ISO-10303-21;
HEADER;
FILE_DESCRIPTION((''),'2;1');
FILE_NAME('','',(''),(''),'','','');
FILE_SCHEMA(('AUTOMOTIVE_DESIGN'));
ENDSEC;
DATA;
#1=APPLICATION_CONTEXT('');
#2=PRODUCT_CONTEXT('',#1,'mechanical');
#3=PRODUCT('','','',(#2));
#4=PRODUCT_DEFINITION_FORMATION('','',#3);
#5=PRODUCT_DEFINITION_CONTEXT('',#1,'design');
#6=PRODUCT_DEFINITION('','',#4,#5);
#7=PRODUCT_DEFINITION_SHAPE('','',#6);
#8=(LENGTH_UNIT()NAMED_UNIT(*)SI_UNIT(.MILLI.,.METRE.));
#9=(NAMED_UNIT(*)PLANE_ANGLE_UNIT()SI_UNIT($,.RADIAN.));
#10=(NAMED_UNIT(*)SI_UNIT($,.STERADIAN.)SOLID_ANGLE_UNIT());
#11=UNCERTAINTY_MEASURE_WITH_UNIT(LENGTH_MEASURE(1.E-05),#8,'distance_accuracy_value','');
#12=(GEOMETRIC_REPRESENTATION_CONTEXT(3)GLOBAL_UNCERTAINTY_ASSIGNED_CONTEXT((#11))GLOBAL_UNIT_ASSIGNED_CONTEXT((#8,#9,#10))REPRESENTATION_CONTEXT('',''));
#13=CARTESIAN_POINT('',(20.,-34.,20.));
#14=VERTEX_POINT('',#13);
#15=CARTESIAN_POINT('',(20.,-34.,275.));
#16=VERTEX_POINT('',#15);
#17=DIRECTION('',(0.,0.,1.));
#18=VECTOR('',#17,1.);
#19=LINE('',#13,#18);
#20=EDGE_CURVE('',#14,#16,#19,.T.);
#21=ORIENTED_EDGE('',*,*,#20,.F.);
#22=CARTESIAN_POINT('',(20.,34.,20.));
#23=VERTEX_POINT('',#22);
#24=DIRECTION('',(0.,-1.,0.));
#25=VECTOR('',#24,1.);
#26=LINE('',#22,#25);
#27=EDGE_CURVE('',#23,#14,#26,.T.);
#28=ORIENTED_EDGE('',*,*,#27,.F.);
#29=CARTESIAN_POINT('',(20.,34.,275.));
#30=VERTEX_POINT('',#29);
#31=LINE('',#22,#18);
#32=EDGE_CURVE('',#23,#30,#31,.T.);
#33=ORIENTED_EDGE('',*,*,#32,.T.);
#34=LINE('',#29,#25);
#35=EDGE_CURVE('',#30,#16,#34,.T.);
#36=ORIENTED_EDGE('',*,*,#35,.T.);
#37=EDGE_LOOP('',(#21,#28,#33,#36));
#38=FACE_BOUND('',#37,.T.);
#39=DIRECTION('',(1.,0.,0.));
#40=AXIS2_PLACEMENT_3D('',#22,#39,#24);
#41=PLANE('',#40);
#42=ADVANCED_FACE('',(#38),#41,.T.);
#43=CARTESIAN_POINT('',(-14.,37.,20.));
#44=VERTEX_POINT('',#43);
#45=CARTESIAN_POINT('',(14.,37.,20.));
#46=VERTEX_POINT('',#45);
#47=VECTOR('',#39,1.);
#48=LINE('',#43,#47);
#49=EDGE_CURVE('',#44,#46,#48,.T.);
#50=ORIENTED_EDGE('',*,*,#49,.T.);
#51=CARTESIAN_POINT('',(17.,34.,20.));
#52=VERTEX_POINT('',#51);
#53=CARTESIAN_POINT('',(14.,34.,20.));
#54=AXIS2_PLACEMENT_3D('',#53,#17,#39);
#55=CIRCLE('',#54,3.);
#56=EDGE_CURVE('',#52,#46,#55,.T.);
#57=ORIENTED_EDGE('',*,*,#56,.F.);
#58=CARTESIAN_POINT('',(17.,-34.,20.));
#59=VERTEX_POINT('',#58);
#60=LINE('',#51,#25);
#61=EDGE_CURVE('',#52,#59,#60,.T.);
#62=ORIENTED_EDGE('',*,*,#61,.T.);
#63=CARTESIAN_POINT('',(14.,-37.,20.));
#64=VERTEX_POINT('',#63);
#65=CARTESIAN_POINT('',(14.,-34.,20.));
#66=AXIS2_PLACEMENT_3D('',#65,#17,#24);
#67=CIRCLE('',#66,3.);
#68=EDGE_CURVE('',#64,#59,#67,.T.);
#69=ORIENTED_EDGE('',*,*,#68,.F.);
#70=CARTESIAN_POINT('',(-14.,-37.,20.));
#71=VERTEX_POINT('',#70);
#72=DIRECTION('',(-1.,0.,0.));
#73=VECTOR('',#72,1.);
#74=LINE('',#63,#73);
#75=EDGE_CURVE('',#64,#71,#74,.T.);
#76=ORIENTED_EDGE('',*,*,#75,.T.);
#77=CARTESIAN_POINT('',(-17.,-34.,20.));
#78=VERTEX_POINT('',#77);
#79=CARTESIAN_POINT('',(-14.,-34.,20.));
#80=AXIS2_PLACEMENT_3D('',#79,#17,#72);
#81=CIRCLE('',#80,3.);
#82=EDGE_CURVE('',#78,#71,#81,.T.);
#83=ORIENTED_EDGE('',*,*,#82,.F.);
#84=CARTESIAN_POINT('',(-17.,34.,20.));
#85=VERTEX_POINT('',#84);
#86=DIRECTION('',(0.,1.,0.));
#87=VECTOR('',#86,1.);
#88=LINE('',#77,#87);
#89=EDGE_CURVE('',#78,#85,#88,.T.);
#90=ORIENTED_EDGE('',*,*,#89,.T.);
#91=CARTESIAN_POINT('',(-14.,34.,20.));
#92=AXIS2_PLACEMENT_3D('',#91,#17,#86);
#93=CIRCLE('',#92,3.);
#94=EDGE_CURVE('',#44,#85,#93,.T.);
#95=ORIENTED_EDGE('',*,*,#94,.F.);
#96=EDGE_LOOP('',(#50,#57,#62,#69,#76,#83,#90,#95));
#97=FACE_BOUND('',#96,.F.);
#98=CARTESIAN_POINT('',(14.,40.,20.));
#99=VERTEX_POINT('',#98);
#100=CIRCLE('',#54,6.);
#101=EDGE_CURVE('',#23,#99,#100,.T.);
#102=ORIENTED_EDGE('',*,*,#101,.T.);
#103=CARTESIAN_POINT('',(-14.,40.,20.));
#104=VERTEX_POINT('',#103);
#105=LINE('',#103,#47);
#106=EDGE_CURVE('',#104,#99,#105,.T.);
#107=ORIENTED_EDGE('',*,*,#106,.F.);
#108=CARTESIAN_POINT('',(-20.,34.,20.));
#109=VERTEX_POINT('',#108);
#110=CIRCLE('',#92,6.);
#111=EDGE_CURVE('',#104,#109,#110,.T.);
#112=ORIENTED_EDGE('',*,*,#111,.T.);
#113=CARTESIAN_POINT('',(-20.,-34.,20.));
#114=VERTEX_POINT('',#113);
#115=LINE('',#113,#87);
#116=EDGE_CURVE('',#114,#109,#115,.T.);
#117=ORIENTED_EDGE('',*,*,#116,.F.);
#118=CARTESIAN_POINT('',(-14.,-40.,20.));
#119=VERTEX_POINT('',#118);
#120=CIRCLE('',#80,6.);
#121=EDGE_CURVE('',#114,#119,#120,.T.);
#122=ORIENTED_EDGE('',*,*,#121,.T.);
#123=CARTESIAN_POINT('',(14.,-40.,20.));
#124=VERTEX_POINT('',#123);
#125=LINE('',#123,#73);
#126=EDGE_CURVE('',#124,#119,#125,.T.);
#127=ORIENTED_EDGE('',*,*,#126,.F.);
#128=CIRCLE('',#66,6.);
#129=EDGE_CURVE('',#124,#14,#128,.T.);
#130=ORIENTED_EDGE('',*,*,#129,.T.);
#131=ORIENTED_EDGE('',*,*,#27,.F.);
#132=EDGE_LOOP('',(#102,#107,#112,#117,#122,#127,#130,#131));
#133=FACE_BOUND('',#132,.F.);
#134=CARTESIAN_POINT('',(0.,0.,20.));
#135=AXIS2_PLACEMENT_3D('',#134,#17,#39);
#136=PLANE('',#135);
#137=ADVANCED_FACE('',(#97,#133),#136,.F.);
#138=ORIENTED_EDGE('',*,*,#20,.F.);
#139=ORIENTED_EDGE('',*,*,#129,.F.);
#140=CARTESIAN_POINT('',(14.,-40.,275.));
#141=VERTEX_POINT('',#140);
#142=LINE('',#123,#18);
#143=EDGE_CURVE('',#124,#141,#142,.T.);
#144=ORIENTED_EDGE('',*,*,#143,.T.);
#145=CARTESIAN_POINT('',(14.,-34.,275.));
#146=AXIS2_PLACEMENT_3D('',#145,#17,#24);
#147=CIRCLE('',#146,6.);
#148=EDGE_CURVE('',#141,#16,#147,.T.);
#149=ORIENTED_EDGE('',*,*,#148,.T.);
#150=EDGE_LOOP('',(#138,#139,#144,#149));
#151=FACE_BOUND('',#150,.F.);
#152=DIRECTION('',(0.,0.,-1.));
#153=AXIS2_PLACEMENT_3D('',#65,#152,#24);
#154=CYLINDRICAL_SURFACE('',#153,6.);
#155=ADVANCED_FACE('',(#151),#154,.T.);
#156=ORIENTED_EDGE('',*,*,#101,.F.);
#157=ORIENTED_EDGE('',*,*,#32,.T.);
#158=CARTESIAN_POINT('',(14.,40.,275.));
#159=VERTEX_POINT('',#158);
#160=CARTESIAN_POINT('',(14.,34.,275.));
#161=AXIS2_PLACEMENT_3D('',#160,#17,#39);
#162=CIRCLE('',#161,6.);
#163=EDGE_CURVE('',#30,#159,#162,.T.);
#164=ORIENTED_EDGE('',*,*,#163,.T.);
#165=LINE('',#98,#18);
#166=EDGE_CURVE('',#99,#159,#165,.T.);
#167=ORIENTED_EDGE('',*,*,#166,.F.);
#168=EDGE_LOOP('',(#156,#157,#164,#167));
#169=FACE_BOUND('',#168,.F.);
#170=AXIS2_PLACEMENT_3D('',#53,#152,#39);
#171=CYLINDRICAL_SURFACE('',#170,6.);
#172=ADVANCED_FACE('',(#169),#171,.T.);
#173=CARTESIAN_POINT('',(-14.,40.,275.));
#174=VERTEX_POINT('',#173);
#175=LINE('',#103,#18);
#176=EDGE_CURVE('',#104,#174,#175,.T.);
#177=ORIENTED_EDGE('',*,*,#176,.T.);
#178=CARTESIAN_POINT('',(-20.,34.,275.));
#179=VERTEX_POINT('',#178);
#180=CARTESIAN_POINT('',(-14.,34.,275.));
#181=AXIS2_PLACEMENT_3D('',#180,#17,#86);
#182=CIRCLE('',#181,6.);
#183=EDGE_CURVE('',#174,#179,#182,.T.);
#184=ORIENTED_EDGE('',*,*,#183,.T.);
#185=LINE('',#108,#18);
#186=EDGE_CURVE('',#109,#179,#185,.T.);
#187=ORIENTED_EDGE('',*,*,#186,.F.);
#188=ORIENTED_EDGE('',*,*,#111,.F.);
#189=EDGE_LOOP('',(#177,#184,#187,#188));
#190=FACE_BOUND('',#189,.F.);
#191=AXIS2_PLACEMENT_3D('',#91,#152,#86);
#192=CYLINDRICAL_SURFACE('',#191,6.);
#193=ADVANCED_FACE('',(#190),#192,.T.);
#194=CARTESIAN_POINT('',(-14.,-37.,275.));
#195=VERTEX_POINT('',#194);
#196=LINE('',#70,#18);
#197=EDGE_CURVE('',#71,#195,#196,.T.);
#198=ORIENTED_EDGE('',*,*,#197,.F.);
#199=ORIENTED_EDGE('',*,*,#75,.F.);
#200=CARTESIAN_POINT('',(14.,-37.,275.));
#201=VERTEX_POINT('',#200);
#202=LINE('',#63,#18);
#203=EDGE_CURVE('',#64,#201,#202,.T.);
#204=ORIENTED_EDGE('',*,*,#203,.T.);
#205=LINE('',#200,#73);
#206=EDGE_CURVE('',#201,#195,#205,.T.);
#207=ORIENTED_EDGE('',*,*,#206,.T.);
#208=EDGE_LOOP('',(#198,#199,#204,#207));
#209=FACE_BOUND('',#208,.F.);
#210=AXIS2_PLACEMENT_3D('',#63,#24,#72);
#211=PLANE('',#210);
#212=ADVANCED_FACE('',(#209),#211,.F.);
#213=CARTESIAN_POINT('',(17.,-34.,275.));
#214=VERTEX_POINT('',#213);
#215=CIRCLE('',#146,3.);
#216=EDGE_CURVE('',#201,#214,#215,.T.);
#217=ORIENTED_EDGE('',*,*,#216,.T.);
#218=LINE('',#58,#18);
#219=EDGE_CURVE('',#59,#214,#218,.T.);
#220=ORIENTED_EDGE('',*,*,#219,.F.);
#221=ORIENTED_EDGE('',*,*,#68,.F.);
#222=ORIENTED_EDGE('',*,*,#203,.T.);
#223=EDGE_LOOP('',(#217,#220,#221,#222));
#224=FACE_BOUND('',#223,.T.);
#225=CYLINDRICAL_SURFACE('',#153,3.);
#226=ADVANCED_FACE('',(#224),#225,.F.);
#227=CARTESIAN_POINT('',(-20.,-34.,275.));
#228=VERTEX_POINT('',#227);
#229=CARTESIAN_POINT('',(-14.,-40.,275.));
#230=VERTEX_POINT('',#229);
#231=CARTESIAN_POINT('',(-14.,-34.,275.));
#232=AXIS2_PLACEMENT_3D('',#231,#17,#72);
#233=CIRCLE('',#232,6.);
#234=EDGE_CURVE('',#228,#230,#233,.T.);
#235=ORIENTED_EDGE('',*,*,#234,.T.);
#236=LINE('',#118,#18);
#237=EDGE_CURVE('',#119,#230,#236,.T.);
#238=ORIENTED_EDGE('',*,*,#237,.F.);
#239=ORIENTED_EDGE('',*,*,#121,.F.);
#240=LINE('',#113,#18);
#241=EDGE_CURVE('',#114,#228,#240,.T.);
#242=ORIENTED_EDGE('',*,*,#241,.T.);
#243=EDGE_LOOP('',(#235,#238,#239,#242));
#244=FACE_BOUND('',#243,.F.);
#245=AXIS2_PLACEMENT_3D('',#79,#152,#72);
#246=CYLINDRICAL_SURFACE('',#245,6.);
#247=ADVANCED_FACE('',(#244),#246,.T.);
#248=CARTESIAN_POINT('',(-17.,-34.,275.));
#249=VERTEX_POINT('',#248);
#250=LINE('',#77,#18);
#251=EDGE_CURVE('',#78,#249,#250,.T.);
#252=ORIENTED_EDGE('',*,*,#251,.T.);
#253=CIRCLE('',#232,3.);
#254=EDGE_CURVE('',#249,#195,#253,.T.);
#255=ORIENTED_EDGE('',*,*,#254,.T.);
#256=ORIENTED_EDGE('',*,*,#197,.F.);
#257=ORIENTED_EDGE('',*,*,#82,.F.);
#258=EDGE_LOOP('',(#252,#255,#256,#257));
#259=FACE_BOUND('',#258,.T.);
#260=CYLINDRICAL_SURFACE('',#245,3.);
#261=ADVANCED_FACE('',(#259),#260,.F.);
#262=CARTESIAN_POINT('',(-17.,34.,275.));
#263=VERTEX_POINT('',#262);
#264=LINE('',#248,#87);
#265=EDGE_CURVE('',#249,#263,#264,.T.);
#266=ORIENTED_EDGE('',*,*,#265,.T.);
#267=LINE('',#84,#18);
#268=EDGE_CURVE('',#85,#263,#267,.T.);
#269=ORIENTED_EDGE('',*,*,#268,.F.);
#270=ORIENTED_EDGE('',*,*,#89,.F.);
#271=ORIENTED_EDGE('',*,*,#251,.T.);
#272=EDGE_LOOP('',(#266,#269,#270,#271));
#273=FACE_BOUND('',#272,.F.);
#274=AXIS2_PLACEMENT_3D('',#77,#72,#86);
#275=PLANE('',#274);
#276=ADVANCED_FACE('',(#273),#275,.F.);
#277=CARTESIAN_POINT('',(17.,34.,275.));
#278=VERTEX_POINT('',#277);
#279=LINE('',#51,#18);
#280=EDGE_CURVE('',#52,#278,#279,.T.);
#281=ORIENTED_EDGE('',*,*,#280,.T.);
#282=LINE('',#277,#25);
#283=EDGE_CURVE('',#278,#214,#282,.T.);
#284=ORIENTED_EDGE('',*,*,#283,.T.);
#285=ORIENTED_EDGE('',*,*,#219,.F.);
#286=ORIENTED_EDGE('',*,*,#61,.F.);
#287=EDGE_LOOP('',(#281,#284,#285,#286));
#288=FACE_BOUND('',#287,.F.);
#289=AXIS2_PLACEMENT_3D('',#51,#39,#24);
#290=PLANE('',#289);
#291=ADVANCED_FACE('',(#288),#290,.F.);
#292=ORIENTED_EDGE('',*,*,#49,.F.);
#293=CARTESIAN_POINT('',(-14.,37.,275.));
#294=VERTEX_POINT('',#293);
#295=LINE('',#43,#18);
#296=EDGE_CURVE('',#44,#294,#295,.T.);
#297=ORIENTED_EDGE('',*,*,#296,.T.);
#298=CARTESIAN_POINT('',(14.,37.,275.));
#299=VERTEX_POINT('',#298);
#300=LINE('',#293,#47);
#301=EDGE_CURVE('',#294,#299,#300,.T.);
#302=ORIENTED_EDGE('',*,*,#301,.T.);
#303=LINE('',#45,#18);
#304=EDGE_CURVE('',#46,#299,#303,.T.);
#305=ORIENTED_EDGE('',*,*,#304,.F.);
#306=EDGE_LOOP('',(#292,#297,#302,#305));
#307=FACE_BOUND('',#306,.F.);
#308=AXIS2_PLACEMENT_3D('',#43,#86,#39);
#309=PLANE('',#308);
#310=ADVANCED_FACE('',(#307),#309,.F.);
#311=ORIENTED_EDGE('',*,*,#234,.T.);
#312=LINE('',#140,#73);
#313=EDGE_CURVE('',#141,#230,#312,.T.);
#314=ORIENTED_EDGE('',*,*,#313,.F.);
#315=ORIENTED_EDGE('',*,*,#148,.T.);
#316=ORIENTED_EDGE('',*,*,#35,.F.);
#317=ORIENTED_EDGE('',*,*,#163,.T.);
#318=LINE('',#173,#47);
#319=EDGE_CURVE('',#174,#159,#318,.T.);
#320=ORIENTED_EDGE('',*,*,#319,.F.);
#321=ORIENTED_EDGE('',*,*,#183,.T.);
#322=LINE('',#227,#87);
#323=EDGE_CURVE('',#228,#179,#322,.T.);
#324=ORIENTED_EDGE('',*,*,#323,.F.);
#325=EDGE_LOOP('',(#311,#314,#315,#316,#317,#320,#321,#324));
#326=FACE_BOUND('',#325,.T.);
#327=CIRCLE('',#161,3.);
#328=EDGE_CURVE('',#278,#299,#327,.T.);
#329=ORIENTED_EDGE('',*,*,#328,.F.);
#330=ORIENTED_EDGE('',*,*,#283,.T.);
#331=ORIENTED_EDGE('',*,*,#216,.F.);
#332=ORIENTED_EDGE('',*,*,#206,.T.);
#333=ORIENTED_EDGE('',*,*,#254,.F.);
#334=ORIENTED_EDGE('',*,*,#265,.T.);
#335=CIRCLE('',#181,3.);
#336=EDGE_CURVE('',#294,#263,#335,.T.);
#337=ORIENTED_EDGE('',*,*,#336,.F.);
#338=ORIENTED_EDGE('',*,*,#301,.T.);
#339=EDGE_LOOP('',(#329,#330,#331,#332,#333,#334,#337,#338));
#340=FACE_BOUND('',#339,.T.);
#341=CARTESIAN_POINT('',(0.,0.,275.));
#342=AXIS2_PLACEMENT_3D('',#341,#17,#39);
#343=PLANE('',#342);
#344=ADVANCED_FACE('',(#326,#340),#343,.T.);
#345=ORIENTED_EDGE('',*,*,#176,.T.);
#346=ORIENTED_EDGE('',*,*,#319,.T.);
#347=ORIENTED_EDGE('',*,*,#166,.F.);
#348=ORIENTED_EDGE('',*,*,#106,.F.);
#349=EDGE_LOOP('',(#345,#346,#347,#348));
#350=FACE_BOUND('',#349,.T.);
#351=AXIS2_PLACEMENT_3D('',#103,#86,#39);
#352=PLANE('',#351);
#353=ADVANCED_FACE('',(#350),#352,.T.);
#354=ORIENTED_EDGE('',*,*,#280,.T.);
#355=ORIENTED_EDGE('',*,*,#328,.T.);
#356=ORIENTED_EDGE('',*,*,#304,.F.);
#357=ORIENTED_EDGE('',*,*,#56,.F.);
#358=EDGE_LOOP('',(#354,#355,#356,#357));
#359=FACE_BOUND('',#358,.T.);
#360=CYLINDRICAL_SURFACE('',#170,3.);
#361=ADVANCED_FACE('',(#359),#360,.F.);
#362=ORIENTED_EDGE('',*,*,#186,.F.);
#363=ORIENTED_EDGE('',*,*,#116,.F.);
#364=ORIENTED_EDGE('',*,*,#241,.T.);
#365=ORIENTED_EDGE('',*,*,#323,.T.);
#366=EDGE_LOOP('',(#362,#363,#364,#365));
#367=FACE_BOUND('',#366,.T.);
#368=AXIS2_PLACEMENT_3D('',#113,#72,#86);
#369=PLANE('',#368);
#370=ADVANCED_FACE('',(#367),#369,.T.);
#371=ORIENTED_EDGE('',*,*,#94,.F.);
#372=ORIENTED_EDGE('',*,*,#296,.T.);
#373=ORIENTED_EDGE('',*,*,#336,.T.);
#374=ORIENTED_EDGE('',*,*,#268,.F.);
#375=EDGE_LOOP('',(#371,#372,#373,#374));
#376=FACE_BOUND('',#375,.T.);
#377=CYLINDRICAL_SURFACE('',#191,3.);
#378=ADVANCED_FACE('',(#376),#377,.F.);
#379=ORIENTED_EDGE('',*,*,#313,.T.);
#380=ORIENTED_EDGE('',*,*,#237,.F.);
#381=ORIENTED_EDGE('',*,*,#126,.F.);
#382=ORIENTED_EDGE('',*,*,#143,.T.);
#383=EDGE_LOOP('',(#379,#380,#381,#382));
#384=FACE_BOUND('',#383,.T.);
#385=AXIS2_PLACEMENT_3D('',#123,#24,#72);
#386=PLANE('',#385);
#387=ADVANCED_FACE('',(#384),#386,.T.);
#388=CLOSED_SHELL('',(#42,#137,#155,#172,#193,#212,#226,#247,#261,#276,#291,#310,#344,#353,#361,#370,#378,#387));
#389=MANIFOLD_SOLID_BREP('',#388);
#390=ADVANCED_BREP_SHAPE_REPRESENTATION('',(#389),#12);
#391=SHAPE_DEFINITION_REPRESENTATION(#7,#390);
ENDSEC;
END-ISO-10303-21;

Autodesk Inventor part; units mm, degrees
ref_plane "YZ Plane" through (0, 0, 0) normal (1, 0, 0) x (0, 1, 0)
ref_plane "Start Plane" through (0, 0, 20) normal (0, 0, 1) x (1, 0, 0)
ref_plane "End Plane" through (0, 0, 275) normal (0, 0, 1) x (1, 0, 0)
sketch "Sketch" plane through (0, 0, 0) normal (0, 0, 1) x (1, 0, 0)
  line L0 (-20, -34) -> (-20, 34)
  line L1 (-14, 40) -> (14, 40)
  line L2 (20, 34) -> (20, -34)
  line L3 (14, -40) -> (-14, -40)
  arc A0 (-20, -34) -> (-14, -40) centre (-14, -34) ccw
  arc A1 (20, 34) -> (14, 40) centre (14, 34) ccw
  arc A2 (-14, 40) -> (-20, 34) centre (-14, 34) ccw
  arc A3 (14, -40) -> (20, -34) centre (14, -34) ccw
  arc A4 (-14, 37) -> (-17, 34) centre (-14, 34) ccw
  line L4 (-14, 37) -> (14, 37)
  arc A5 (17, 34) -> (14, 37) centre (14, 34) ccw
  line L5 (17, 34) -> (17, -34)
  arc A6 (14, -37) -> (17, -34) centre (14, -34) ccw
  line L6 (14, -37) -> (-14, -37)
  arc A7 (-17, -34) -> (-14, -37) centre (-14, -34) ccw
  line L7 (-17, -34) -> (-17, 34)
  line L8 (0, 57.7397) -> (0, -57.7397) construction
  line L9 (-29.7397, 0) -> (29.7397, 0) construction
  dimension "d7" = 6
  dimension "d9" = 40
  dimension "d11" = 80
  dimension "d12" = 3
  dimension "d15" = 20
  dimension "d16" = 40
extrude "Body" add sketch "Sketch" along normal up to surface (255 mm away) from surface at 20
sketch "Sketch3" plane through (0, 0, 0) normal (0, 0, 1) x (1, 0, 0)
  line L0 (0, 0) -> (10, 0)
ref_plane "Work Plane3" through (0, 0, 0) normal (0, -1, 0) x (1, 0, 0)
sketch "Sketch4" plane through (0, 0, 0) normal (0, -1, 0) x (1, 0, 0)
  line L0 (-2, 20) -> (12, 20) projected
  line L1 (-2, 275) -> (12, 275) projected
  dimension "d18" = 255
equation "\"d7\" = G_IR"
equation "\"d9\" = G_W"
equation "\"d11\" = G_H"
equation "\"d12\" = G_T"
equation "\"d15\" = 0.5 * d9"
equation "\"d16\" = 0.5 * d11"
equation "\"d3\" = G_L"
equation "\"G_W\" = 40"
equation "\"G_H\" = 80"
equation "\"G_T\" = 3"
equation "\"G_IR\" = 6"
equation "\"G_L\" = d18"
equation "\"d14\" = G_OFFSET_END + B_L"
equation "\"B_L\" = 355"
equation "\"G_OFFSET_END\" = -80"
properties part number "ISO 10799-2 - 80x40x3 - 255" material "Steel, Mild"
